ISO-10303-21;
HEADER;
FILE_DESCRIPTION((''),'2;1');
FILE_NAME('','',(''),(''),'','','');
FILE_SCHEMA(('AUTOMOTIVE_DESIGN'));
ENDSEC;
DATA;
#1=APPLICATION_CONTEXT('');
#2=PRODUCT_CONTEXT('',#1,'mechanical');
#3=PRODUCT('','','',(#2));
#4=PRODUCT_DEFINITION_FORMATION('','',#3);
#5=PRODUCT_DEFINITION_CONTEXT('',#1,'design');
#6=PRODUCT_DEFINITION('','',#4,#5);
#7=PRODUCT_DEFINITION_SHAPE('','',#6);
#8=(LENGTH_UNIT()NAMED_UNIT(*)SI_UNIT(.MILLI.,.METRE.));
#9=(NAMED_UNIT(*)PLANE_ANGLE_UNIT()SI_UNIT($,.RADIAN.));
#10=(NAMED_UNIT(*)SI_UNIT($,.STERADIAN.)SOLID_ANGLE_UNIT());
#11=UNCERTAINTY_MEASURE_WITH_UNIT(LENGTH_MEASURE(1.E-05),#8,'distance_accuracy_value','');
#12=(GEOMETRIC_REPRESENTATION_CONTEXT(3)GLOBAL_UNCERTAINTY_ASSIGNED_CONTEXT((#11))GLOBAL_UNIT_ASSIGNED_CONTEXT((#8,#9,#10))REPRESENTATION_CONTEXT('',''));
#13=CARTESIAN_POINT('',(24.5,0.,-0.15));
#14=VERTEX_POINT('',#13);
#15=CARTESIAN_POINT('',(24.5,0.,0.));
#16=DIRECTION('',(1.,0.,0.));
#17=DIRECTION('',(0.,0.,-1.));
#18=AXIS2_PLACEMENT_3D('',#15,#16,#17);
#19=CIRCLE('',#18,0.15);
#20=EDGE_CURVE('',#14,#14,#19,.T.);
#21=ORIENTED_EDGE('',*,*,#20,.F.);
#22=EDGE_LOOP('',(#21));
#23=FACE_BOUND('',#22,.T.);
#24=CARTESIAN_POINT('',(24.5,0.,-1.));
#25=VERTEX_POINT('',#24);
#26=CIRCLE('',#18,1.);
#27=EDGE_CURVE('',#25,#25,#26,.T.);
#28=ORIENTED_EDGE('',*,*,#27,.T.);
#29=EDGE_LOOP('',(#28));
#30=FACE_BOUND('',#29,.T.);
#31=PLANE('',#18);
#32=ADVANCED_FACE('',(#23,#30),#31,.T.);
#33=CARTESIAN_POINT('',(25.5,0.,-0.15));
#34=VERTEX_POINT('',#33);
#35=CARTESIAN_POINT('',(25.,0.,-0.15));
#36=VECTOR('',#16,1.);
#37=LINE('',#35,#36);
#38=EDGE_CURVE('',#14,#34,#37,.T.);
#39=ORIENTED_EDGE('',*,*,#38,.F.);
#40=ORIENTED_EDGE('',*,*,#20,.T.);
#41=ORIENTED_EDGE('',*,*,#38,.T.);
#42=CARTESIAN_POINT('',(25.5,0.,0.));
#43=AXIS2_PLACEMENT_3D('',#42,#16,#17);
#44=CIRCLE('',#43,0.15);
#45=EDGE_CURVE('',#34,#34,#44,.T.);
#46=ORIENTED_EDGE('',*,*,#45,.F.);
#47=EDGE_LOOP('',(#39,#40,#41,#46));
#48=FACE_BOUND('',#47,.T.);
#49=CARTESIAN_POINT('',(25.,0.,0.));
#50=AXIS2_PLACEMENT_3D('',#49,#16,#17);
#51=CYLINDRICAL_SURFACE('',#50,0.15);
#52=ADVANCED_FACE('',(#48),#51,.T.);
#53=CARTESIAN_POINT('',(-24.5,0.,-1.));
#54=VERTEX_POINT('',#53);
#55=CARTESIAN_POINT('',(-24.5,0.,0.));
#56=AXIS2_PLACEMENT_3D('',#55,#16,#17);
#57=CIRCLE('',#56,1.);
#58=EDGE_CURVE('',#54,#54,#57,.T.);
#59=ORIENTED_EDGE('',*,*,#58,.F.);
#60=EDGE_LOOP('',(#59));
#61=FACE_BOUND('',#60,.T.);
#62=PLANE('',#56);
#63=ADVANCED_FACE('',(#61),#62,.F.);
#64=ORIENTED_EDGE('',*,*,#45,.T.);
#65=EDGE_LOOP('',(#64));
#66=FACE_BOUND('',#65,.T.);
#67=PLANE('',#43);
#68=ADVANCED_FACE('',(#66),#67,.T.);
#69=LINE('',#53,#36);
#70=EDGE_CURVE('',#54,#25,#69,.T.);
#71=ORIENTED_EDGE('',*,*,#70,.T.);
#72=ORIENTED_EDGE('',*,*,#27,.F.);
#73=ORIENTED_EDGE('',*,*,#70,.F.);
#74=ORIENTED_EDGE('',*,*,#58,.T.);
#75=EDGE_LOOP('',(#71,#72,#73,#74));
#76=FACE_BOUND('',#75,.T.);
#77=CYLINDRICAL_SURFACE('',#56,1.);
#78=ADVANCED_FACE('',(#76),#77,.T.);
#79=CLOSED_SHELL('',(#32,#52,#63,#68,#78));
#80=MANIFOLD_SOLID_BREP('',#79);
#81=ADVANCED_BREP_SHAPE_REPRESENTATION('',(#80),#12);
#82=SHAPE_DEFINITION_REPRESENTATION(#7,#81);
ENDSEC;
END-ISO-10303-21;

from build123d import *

# Parameters (mm, degrees)
F0_W = 1
F0_H = 0.15


with BuildPart() as f1:
    # F0 (on Front) → F1 (revolve)
    with BuildSketch(Plane.XZ):
        Polygon((24.5, -0.15), (24.5, 0), (-24.5, 0), (-24.5, -1), (24.5, -1), align=None)
        with Locations((25, -0.075)):
            Rectangle(F0_W, F0_H)
    revolve(axis=Axis((4.088743, 0, 0), (1, 0, 0)))


solid = f1.part
